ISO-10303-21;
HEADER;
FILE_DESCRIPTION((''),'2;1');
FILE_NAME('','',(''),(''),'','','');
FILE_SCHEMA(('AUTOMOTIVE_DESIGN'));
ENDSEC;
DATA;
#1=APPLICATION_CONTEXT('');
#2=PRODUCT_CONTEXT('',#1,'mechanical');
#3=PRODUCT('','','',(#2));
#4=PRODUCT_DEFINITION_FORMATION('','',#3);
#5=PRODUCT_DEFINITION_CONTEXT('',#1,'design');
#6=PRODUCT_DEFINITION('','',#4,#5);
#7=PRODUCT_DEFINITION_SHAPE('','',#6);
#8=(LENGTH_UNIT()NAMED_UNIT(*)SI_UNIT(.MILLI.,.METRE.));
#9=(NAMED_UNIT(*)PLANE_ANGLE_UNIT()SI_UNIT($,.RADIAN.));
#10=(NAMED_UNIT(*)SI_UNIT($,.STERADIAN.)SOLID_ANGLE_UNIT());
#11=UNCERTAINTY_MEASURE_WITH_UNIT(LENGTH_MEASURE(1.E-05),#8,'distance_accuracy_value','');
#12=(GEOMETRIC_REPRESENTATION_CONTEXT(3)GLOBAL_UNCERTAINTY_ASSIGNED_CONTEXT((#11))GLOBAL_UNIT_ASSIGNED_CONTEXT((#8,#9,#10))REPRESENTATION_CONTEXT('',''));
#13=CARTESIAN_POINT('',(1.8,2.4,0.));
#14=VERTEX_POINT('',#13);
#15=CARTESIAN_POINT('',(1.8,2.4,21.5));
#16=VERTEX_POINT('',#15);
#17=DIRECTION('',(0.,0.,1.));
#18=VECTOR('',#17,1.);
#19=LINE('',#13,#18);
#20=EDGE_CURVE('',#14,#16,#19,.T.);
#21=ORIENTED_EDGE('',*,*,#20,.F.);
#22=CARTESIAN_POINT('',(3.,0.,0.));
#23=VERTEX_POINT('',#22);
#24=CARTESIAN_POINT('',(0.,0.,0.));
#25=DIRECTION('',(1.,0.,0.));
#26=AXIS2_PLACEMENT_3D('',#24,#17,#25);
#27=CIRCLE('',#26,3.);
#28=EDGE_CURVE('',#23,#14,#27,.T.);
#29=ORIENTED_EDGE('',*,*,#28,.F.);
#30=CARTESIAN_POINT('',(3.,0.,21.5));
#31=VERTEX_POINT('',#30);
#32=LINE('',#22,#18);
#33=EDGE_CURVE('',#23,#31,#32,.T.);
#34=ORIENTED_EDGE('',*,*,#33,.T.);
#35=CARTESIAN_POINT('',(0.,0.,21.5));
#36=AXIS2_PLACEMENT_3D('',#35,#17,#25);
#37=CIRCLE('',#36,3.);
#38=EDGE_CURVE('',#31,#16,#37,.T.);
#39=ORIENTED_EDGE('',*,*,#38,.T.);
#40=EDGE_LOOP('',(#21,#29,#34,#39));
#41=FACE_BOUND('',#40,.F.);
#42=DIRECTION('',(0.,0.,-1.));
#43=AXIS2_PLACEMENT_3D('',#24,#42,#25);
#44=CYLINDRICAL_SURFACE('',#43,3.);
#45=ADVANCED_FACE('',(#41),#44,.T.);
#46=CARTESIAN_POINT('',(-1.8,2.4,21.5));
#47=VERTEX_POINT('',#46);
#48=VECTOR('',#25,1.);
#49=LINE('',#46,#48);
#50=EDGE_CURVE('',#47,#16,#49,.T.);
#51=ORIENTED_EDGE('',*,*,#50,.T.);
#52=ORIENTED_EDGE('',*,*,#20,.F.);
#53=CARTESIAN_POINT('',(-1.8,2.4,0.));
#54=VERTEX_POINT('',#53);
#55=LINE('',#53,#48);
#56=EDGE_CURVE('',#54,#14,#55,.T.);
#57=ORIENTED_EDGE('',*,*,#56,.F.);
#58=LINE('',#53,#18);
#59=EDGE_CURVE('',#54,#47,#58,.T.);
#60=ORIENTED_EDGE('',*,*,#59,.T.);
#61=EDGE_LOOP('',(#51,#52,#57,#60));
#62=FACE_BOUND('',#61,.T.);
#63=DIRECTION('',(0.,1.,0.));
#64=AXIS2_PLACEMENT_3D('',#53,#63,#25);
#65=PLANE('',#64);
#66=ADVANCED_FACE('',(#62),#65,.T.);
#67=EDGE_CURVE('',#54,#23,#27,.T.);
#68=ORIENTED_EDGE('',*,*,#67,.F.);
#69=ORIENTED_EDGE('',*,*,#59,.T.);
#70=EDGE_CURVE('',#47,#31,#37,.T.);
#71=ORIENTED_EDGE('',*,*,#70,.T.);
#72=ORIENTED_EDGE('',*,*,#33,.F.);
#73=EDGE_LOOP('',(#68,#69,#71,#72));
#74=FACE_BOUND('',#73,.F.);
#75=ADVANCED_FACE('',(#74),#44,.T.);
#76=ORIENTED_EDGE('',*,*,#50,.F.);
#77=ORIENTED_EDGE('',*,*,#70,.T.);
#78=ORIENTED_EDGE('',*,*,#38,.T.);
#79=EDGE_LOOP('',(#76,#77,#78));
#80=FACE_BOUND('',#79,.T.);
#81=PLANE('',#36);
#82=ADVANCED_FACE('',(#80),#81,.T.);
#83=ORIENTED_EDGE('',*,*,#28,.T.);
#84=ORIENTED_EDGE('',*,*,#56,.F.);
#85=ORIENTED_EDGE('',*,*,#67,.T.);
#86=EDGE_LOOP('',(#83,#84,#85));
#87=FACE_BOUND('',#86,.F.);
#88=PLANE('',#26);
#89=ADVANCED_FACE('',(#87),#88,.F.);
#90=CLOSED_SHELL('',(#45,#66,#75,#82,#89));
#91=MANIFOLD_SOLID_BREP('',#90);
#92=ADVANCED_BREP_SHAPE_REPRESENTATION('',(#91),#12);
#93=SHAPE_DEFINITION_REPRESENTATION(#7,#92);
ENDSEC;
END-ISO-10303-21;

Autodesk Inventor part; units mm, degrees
ref_plane "YZ Plane" through (0, 0, 0) normal (1, 0, 0) x (0, 1, 0)
ref_plane "XZ Plane" through (0, 0, 0) normal (0, 1, 0) x (-1, 0, 0)
ref_plane "XY Plane" through (0, 0, 0) normal (0, 0, 1) x (1, 0, 0)
sketch "Sketch1" plane through (0, 0, 0) normal (0, 0, 1) x (1, 0, 0)
  circle A0 centre (0, 0) radius 3
  line L0 (0, 0) -> (0, -3) construction
  line L1 (-1.8, 2.4) -> (1.8, 2.4)
  dimension "d0" = 6
  dimension "d1" = 5.4
extrude "Extrusion1" add sketch "Sketch1" along normal blind 21.5 contours A0 L1 picked at (0.3021, 0.4498)
properties part number "ShoulderServoShaft" material "Aluminum 6061"
